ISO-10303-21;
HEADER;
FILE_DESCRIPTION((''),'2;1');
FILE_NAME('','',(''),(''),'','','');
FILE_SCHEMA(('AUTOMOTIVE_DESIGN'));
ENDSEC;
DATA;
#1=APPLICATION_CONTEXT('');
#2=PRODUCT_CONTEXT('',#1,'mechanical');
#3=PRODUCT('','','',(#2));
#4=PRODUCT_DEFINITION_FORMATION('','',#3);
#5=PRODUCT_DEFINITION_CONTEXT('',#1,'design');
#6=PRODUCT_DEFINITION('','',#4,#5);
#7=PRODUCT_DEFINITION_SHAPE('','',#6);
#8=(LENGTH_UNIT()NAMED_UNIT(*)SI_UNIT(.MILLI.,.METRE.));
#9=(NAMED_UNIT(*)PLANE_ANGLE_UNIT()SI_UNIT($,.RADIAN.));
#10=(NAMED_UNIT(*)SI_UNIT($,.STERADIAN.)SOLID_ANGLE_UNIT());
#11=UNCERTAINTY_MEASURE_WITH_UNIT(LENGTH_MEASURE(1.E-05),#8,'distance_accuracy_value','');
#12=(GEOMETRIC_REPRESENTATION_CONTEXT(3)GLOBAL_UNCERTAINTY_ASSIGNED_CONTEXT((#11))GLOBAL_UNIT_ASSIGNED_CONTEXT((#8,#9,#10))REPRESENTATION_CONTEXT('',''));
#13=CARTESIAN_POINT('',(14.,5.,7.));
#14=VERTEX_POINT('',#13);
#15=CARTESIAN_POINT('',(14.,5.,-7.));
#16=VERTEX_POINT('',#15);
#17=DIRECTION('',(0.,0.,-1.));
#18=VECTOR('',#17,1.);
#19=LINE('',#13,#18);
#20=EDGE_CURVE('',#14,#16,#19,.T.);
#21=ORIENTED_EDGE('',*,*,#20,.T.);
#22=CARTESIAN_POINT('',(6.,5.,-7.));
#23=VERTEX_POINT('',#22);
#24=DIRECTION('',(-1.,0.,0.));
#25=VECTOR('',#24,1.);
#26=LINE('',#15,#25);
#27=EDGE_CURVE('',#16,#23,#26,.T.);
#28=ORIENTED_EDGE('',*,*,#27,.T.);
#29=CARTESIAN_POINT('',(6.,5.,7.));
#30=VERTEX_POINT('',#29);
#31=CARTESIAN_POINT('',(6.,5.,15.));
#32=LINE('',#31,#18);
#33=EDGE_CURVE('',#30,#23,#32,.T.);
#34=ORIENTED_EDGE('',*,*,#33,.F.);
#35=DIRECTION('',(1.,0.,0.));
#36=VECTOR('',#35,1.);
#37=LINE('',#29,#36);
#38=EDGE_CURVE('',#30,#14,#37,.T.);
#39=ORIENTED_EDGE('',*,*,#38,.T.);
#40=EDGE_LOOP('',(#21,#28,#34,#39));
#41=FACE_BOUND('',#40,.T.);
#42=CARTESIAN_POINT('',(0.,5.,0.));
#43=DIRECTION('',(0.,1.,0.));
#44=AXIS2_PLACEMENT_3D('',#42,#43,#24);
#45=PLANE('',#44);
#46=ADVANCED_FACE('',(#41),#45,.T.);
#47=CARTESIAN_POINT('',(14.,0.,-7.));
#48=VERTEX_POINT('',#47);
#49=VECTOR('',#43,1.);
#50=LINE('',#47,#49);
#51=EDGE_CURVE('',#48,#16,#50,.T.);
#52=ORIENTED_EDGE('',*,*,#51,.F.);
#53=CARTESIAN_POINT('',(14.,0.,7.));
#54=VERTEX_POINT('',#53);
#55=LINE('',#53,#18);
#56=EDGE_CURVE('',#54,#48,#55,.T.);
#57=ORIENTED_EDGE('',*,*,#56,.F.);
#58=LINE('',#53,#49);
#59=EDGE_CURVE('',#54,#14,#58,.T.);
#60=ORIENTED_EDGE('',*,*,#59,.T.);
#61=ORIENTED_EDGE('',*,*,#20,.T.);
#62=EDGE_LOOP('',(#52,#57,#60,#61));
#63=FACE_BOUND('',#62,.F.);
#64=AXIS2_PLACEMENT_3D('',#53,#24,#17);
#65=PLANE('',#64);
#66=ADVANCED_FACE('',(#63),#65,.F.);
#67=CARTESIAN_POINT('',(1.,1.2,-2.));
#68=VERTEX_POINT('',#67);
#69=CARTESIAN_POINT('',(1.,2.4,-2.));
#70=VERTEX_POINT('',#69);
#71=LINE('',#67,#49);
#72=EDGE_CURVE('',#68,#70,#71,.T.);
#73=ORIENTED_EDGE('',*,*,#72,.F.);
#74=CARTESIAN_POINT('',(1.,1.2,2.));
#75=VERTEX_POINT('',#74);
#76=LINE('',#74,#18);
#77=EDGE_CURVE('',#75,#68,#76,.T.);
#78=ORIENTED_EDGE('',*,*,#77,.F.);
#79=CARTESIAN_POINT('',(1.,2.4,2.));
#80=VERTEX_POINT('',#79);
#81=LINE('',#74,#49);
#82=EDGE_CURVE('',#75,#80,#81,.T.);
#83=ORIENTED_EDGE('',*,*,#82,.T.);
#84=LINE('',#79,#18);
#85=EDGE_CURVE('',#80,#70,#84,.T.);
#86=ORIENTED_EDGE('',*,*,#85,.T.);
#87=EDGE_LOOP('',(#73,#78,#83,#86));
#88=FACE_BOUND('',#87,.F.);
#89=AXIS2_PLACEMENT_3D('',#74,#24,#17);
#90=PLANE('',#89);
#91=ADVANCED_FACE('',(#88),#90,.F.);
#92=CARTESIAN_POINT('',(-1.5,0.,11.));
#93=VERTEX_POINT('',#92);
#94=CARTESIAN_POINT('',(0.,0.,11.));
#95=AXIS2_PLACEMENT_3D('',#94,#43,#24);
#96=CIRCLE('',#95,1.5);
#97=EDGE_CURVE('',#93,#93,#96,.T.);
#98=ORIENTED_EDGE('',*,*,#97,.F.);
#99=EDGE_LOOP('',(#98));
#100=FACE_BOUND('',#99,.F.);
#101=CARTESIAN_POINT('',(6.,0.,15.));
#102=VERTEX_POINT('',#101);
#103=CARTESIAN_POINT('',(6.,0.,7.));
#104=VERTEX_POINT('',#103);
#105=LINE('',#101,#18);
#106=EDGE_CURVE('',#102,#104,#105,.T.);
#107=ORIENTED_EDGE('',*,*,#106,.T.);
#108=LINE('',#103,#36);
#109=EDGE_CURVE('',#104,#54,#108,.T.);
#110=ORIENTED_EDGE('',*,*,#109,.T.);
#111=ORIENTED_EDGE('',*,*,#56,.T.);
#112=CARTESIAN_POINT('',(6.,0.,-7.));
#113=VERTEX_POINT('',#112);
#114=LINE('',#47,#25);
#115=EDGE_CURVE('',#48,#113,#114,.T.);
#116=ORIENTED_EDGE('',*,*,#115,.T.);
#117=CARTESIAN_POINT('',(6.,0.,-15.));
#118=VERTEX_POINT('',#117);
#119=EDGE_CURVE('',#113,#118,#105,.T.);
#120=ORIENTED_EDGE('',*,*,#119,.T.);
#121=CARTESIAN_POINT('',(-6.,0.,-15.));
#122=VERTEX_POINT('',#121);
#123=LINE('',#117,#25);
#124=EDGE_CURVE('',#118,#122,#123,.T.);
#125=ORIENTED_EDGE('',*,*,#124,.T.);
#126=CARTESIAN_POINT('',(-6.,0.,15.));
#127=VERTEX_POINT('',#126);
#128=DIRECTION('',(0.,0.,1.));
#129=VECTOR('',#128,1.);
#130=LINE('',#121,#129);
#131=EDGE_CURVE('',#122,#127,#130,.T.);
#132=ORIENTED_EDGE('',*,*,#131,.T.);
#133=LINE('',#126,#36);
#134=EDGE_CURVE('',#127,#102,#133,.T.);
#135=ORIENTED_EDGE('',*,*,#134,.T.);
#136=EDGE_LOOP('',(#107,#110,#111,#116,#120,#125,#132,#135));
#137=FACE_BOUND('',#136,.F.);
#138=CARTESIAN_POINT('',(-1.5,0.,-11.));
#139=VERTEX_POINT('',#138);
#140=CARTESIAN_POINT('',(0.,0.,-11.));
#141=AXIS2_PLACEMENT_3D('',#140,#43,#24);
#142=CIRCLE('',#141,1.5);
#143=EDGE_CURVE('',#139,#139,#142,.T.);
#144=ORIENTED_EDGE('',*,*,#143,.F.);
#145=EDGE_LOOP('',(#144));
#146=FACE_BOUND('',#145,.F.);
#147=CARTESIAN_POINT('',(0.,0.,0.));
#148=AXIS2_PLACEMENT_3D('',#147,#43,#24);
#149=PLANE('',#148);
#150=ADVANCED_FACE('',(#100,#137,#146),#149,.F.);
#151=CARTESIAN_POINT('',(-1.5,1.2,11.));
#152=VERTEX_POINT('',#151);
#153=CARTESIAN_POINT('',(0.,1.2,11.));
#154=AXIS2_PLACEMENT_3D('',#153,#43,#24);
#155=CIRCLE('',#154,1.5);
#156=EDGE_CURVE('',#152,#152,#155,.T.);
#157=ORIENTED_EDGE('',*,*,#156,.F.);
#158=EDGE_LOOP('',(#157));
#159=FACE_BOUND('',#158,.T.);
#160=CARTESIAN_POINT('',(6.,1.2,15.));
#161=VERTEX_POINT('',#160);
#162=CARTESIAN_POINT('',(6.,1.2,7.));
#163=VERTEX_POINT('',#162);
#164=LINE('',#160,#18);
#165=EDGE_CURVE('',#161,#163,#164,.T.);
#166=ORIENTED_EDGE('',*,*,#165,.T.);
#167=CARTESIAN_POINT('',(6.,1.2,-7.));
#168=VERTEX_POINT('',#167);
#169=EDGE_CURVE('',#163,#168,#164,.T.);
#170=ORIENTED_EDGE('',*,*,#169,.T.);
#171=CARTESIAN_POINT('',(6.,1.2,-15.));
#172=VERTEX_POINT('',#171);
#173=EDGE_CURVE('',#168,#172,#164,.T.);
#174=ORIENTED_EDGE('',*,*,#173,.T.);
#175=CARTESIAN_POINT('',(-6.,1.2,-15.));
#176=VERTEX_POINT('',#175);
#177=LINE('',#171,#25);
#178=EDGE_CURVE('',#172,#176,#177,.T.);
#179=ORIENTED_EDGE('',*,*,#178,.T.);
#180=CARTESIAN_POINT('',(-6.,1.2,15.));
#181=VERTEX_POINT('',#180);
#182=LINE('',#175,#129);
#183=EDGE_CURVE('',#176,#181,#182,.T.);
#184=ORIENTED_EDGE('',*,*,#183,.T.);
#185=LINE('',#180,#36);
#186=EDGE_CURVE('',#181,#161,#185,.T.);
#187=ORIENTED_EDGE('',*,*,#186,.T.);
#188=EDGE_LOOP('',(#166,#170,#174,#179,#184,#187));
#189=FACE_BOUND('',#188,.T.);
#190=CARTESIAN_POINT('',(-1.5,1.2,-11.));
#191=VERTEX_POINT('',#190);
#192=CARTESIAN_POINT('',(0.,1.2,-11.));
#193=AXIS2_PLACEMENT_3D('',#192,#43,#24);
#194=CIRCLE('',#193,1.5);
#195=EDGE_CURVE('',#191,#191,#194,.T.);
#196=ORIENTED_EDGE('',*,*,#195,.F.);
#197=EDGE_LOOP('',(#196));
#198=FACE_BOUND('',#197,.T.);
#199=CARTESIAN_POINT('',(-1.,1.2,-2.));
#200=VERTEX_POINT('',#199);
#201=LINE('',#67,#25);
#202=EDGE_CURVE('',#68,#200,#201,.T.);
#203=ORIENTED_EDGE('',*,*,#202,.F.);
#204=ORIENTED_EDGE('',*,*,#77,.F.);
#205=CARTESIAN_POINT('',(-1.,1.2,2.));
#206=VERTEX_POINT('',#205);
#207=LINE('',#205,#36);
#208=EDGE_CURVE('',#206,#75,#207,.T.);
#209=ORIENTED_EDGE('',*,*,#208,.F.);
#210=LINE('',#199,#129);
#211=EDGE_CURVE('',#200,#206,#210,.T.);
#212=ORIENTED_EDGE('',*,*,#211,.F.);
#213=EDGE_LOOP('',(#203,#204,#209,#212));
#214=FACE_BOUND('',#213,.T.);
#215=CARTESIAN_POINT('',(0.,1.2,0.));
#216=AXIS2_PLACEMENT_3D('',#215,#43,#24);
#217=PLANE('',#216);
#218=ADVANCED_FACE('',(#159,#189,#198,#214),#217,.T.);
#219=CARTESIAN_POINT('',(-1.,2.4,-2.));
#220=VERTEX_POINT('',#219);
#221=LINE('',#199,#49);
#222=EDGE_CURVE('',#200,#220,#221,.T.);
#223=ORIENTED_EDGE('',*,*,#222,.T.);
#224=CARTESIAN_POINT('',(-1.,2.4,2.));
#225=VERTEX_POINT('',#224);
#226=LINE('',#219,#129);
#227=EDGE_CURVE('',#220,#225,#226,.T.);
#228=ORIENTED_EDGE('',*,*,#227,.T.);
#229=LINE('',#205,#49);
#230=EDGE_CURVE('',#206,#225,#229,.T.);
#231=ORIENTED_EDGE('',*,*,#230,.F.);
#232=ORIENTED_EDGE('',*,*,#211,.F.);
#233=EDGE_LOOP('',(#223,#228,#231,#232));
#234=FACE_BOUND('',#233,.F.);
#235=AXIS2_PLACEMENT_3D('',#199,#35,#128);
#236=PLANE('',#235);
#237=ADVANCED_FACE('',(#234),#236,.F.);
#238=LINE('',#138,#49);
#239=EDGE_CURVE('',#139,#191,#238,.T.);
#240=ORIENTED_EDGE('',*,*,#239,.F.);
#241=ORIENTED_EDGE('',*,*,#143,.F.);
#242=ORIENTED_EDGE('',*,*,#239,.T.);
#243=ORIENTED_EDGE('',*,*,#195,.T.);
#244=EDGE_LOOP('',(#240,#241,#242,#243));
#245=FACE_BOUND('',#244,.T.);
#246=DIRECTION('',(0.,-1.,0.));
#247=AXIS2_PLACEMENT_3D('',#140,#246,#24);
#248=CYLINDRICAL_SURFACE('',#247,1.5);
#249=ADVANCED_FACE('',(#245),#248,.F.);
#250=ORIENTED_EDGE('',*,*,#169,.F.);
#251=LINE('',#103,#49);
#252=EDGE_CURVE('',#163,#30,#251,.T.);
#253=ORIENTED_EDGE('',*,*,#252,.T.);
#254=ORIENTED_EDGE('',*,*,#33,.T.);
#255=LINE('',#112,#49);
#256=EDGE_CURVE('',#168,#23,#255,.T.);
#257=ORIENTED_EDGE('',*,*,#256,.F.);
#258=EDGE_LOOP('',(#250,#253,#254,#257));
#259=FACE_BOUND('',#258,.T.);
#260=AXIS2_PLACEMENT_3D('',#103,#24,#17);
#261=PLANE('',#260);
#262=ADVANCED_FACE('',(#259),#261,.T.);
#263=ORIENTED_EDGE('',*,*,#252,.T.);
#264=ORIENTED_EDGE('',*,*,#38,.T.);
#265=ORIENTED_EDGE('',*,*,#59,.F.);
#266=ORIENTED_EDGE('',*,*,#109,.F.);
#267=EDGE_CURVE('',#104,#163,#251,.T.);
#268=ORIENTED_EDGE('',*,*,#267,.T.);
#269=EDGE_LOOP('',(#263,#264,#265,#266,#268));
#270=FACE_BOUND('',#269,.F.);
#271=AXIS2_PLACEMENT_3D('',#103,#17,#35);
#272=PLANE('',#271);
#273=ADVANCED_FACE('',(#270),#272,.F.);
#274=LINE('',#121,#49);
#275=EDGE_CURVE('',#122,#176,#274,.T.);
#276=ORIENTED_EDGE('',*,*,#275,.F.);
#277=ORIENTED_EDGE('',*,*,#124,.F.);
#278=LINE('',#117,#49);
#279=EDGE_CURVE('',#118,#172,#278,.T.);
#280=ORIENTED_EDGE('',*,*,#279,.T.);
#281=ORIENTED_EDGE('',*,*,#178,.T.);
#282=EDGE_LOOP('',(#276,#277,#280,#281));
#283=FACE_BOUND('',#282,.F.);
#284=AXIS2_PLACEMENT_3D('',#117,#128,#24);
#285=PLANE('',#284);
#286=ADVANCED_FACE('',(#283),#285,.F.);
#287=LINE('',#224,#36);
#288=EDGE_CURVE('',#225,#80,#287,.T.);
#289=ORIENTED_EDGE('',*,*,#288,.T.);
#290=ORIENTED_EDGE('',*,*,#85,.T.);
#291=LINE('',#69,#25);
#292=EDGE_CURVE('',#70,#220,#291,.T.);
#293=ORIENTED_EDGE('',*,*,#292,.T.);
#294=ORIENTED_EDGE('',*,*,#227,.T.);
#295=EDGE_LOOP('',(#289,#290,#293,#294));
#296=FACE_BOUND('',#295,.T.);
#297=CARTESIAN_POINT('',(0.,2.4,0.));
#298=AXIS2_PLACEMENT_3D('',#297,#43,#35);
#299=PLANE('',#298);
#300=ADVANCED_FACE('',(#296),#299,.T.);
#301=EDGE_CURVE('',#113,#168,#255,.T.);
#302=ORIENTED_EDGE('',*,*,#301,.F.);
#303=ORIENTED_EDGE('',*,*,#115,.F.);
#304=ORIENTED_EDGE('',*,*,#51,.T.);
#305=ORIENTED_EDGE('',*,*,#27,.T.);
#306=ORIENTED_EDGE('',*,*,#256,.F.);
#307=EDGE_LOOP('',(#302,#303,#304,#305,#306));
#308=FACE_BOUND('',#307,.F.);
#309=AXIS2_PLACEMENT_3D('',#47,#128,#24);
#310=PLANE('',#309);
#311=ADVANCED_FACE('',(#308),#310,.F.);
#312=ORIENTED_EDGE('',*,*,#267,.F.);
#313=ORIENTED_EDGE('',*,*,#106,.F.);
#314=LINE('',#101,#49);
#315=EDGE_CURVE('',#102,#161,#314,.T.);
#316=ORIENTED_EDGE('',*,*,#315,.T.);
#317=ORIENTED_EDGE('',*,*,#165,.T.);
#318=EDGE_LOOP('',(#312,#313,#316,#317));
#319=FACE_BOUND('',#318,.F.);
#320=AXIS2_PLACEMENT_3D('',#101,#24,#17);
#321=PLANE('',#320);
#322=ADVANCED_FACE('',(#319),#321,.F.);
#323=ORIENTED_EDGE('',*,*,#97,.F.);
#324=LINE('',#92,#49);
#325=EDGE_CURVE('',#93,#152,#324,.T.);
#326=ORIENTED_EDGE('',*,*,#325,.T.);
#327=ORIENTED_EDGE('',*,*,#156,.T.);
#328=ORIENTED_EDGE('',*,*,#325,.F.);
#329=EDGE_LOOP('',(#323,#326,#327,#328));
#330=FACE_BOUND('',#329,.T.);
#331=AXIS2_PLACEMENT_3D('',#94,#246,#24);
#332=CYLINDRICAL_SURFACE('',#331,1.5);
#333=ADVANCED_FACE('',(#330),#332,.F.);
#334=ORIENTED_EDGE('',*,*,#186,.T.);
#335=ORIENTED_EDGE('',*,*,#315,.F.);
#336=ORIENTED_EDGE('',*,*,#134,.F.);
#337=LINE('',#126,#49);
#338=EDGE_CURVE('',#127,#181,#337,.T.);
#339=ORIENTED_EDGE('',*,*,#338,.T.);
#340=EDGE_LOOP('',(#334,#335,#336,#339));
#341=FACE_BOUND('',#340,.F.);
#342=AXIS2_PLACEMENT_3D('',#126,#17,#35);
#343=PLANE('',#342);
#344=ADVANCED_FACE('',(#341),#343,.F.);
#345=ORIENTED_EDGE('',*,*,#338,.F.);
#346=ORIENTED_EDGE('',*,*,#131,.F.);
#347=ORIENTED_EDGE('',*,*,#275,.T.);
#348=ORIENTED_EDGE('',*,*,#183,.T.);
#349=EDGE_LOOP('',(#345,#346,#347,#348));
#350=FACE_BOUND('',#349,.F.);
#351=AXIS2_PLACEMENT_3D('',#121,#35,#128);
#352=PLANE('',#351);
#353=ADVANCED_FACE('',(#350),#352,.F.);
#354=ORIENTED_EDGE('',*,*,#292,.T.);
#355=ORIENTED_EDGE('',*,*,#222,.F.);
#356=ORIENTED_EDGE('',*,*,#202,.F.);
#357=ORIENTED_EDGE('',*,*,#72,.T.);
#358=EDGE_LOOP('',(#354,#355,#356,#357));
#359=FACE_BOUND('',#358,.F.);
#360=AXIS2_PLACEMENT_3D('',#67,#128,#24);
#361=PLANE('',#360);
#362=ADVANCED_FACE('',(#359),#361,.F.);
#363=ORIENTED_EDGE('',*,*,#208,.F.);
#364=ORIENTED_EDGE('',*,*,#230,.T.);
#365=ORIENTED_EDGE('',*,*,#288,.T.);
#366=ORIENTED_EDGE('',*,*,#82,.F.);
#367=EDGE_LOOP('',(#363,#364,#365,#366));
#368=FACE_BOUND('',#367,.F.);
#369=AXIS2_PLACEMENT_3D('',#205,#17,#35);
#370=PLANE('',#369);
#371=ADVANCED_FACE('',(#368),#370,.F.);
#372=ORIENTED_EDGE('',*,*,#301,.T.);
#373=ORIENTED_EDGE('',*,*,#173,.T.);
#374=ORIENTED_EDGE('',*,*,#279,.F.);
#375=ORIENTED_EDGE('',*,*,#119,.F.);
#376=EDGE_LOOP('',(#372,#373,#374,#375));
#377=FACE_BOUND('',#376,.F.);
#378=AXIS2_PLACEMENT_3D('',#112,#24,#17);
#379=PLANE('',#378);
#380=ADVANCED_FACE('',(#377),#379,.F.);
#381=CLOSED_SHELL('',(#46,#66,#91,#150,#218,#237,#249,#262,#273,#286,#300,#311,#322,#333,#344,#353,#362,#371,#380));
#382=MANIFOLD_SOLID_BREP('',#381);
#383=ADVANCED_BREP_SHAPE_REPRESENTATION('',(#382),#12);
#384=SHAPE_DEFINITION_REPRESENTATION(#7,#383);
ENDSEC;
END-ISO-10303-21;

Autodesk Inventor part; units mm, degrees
ref_plane "YZ Plane" through (0, 0, 0) normal (1, 0, 0) x (0, 1, 0)
ref_plane "XZ Plane" through (0, 0, 0) normal (0, 1, 0) x (-1, 0, 0)
ref_plane "XY Plane" through (0, 0, 0) normal (0, 0, 1) x (1, 0, 0)
sketch "スケッチ1" plane through (0, 0, 0) normal (0, 1, 0) x (-1, 0, 0)
  line L0 (6, 15) -> (-6, 15)
  line L1 (-6, 15) -> (-6, -15)
  line L2 (-6, -15) -> (6, -15)
  line L3 (6, -15) -> (6, 15)
  line L4 (-6, 7) -> (-14, 7)
  line L5 (-14, 7) -> (-14, -7)
  line L6 (-14, -7) -> (-6, -7)
  line L7 (-6, -7) -> (-6, 7)
  circle A0 centre (0, 11) radius 1.5
  circle A1 centre (0, -11) radius 1.5
  point P0 (0, 0)
  dimension "d0" = 30
  dimension "d1" = 12
  dimension "d2" = 14
  dimension "d3" = 8
  dimension "d4" = 8
  dimension "d5" = 15
  dimension "d6" = 6
  dimension "d7" = 8
  dimension "d8" = 3
  dimension "d9" = 3
  dimension "d10" = 6
  dimension "d11" = 6
  dimension "d12" = 4
  dimension "d13" = 4
extrude "押し出し1" add sketch "スケッチ1" along normal blind 1.2 contours L3 L2 L1 L0
extrude "押し出し2" add sketch "スケッチ1" along normal blind 5 contours L1 L6 L5 L4
sketch "スケッチ2" plane through (0, 1.2, 0) normal (0, 1, 0) x (1, 0, 0)
  line L0 (-1, -2) -> (1, -2)
  line L1 (1, -2) -> (1, 2)
  line L2 (1, 2) -> (-1, 2)
  line L3 (-1, 2) -> (-1, -2)
  point P0 (0, 0)
  dimension "d18" = 2
  dimension "d19" = 4
  dimension "d20" = 2
  dimension "d21" = 1
extrude "押し出し3" add sketch "スケッチ2" along normal blind 1.2
properties part number "sensor"
